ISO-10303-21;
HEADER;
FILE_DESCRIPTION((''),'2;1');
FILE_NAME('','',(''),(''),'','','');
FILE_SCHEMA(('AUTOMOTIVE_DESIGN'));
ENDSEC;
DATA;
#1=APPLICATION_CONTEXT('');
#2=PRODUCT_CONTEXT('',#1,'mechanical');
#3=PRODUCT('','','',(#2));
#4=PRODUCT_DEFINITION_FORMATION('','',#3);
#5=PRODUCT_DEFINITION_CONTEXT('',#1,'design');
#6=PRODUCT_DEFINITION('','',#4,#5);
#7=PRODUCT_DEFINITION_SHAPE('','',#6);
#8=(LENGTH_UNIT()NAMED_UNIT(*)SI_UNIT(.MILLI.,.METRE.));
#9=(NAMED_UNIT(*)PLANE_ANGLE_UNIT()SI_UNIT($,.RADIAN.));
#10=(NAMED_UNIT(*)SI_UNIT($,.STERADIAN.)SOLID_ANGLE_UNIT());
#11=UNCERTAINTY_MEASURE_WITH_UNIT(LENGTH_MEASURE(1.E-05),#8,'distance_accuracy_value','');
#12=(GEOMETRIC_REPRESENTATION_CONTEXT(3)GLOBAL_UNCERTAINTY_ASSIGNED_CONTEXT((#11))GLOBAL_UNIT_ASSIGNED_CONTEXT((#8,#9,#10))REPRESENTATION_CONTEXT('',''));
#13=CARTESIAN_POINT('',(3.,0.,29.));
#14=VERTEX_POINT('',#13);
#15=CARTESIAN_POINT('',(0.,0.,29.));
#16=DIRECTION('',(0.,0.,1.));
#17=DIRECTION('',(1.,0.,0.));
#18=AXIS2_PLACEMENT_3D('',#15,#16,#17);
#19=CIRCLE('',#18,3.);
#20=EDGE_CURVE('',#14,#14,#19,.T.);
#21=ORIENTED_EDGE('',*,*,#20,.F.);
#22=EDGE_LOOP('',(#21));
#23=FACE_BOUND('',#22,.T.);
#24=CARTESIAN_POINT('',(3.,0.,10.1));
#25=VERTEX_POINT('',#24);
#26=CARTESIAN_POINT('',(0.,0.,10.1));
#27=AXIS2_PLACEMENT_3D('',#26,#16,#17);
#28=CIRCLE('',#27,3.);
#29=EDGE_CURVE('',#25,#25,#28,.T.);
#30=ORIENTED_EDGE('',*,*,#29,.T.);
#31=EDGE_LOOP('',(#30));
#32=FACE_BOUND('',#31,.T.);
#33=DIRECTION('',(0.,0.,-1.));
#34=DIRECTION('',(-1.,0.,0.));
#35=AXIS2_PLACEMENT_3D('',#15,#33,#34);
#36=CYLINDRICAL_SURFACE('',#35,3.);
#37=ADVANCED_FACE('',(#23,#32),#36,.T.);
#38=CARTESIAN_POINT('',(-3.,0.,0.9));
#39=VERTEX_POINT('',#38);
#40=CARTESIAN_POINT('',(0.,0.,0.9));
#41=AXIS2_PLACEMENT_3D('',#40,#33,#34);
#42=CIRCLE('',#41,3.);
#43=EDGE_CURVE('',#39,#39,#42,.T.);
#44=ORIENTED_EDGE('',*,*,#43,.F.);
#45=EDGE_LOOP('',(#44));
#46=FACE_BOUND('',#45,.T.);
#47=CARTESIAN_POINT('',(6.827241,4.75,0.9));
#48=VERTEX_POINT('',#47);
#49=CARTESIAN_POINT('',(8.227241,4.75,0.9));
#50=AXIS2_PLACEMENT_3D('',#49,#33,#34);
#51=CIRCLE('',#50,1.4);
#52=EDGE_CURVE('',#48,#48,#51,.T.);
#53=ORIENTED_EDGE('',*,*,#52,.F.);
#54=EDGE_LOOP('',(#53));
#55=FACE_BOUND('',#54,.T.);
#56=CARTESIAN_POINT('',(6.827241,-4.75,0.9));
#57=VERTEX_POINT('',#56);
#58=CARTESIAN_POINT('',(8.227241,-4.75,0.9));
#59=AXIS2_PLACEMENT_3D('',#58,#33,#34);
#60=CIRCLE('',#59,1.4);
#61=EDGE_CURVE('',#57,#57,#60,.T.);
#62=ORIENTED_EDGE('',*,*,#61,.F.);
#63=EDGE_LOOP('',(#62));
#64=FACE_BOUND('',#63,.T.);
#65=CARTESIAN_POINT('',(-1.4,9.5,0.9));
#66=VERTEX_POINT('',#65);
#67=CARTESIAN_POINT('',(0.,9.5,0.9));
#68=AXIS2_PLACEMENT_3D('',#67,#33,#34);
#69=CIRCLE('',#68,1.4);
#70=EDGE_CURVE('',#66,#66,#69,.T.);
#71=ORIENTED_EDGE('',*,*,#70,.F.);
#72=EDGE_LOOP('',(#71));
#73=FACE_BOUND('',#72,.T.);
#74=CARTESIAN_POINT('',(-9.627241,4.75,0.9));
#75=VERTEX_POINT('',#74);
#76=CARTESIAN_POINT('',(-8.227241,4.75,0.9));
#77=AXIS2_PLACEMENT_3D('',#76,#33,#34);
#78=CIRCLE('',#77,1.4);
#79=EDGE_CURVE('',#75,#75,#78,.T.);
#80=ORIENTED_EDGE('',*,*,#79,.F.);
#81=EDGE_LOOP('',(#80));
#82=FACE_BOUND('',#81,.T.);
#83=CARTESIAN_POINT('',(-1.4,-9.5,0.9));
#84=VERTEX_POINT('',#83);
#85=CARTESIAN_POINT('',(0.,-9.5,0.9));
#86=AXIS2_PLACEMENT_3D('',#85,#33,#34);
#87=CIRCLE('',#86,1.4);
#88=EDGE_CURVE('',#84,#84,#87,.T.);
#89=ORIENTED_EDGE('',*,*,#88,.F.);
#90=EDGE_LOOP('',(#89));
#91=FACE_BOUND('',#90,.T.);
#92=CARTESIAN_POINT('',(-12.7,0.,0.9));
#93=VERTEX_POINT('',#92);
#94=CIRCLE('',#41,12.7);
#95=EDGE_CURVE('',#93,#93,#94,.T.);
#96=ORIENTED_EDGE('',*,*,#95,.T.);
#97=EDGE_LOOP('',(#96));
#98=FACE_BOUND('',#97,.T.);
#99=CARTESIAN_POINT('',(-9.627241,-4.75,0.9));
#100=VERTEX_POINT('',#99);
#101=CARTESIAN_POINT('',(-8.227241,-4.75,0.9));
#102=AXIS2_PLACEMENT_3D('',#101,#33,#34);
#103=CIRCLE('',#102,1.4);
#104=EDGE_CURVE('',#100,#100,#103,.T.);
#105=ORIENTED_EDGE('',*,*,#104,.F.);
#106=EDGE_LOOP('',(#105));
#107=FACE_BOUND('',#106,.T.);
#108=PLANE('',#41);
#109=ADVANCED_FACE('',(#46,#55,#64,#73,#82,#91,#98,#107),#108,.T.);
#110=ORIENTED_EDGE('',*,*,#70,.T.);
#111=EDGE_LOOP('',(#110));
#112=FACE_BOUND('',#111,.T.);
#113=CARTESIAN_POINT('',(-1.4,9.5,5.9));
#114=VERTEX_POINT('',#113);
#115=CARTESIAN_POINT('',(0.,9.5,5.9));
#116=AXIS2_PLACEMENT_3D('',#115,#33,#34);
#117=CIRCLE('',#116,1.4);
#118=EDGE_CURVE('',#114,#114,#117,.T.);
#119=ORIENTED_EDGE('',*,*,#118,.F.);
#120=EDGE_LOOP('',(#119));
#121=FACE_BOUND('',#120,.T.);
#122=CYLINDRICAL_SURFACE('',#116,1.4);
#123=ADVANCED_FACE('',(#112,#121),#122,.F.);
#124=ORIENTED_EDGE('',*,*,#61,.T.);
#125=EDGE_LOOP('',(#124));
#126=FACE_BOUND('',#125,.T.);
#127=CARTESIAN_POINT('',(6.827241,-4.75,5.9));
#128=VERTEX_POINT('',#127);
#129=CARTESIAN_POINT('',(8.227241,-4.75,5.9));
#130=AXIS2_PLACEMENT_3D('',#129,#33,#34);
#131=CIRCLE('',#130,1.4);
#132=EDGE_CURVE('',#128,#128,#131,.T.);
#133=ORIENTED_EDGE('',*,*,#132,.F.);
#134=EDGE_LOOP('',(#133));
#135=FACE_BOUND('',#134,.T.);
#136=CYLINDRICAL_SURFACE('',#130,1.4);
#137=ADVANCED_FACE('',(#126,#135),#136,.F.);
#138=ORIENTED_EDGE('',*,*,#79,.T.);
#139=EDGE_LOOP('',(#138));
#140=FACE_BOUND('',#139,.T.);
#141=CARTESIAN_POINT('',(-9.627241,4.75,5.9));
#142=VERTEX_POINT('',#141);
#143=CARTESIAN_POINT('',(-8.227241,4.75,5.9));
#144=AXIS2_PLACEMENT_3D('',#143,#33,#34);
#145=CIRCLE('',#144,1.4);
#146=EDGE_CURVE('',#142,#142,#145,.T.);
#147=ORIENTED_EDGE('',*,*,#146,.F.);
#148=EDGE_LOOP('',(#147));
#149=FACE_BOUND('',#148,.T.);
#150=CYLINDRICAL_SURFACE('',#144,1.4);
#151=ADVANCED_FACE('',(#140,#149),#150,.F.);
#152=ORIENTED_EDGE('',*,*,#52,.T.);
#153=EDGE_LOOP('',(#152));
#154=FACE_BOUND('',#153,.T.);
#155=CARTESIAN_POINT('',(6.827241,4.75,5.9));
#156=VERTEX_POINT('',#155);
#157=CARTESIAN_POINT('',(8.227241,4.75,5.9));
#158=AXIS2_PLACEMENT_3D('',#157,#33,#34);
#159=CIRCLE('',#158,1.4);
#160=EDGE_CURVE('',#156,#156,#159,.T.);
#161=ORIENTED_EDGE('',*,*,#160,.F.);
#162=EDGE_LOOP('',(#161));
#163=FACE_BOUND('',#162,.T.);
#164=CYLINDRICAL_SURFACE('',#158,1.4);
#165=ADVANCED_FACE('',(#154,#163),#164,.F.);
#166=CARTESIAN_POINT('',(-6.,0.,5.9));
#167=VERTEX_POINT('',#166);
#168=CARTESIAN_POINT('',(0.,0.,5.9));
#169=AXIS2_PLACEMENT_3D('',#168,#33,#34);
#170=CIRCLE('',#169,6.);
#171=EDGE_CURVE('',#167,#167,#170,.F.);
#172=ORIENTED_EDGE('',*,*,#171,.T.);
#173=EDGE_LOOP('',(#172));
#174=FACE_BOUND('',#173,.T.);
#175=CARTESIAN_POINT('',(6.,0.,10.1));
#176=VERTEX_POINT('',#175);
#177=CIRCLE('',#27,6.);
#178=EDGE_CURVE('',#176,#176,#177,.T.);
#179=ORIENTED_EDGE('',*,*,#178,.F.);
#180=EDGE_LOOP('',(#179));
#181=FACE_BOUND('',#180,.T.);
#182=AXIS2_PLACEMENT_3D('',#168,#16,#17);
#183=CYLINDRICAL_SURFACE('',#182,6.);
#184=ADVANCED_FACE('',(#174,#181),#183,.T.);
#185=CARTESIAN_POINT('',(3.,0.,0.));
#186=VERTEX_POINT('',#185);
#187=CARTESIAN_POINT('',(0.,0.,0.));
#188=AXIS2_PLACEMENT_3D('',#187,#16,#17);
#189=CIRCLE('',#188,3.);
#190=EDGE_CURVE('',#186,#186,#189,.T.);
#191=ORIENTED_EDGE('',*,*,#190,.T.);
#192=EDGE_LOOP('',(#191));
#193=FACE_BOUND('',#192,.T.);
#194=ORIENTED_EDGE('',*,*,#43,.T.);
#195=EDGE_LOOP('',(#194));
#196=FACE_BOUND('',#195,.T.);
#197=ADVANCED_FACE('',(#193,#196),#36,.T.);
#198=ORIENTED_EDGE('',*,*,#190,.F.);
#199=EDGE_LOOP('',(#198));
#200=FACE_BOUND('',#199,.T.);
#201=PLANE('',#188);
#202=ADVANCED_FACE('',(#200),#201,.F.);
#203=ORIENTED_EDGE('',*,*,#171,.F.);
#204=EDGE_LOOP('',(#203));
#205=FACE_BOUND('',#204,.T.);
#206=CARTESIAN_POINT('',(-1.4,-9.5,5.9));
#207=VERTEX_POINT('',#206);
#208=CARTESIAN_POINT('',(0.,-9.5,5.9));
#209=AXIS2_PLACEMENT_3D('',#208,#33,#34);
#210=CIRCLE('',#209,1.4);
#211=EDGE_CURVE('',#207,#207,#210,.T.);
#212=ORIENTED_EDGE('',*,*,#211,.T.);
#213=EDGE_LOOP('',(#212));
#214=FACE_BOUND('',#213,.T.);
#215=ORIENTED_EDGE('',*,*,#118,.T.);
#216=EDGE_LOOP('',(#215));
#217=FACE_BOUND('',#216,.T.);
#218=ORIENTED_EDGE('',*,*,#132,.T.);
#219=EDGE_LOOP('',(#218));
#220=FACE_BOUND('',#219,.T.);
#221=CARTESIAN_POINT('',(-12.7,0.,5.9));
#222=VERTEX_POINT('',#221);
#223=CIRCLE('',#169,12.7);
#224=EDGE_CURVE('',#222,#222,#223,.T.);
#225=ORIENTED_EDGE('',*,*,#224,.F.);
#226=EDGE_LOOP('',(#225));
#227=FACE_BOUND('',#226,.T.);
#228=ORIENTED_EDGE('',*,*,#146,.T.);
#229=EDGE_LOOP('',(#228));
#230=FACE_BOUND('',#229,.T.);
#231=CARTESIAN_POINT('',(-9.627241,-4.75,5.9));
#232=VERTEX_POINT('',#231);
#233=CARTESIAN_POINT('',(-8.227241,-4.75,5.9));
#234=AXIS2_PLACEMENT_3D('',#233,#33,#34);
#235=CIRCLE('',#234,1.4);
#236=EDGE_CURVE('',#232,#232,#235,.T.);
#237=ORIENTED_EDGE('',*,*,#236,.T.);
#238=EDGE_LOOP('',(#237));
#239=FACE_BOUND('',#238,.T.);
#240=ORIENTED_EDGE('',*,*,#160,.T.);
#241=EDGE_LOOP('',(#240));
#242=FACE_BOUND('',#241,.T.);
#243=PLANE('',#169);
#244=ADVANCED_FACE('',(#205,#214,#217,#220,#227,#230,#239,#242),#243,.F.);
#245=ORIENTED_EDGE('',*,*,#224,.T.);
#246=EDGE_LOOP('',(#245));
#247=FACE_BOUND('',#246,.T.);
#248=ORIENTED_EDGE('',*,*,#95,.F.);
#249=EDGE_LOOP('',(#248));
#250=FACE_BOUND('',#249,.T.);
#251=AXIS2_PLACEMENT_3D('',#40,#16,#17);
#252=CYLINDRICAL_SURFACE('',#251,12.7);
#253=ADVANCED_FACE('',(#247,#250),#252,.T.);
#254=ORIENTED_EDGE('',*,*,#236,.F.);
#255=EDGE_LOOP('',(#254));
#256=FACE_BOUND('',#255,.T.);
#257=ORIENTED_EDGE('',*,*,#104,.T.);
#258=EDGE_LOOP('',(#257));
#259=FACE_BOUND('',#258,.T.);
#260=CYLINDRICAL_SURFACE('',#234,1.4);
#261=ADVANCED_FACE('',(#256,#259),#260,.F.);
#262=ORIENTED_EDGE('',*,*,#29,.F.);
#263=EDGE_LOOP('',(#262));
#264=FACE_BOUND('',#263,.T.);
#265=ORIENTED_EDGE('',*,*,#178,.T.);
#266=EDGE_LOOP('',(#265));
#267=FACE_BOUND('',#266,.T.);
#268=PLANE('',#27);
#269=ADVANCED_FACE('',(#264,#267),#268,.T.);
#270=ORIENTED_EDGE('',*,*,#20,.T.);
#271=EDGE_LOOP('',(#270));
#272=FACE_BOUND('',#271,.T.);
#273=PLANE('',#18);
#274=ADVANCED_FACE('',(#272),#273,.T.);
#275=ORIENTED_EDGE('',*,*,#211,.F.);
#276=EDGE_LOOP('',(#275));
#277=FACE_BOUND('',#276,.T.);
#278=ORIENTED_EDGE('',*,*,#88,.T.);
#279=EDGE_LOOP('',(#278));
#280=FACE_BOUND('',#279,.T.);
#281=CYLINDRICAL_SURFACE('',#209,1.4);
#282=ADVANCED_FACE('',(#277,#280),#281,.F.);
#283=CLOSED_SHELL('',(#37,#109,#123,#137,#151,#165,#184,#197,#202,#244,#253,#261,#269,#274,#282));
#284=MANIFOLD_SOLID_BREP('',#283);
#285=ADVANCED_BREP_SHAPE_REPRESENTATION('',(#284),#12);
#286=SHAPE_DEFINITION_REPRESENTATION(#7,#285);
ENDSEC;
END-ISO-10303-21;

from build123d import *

# Parameters (mm, degrees)
SKETCH1_R           = 3
BOSS_EXTRUDE1_DEPTH = 29
SKETCH2_R           = 6
BOSS_EXTRUDE2_DEPTH = 2.1
SKETCH3_R           = 12.7
BOSS_EXTRUDE3_DEPTH = 5
SKETCH4_R           = 6
BOSS_EXTRUDE4_DEPTH = 2.1
SKETCH10_R          = 1.4
CUT_EXTRUDE1_DEPTH  = 5


with BuildPart() as part:
    # Sketch1 → Boss-Extrude1 (new body)
    with BuildSketch(Plane.XY):
        Circle(SKETCH1_R)
    extrude(amount=BOSS_EXTRUDE1_DEPTH)

    # Sketch2 → Boss-Extrude2 (add)
    with BuildSketch(Plane.XY.offset(8)):
        Circle(SKETCH2_R)
    extrude(amount=-BOSS_EXTRUDE2_DEPTH)

    # Sketch3 → Boss-Extrude3 (add)
    with BuildSketch(Plane(origin=(0, 0, 5.9), x_dir=(-1, 0, 0), z_dir=(0, 0, -1))):
        Circle(SKETCH3_R)
    extrude(amount=BOSS_EXTRUDE3_DEPTH)

    # Sketch4 → Boss-Extrude4 (add)
    with BuildSketch(Plane.XY.offset(8)):
        Circle(SKETCH4_R)
    extrude(amount=BOSS_EXTRUDE4_DEPTH)

    # Sketch10 → Cut-Extrude1 (cut)
    with BuildSketch(Plane(origin=(0, 0, 0.9), x_dir=(-1, 0, 0), z_dir=(0, 0, -1))):
        with Locations((8.227241336, 4.75)):
            Circle(SKETCH10_R)
        with Locations((0, 9.5)):
            Circle(SKETCH10_R)
        with Locations((8.227241336, -4.75)):
            Circle(SKETCH10_R)
        with Locations((0, -9.5)):
            Circle(SKETCH10_R)
        with Locations((-8.227241336, -4.75)):
            Circle(SKETCH10_R)
        with Locations((-8.227241336, 4.75)):
            Circle(SKETCH10_R)
    extrude(amount=-CUT_EXTRUDE1_DEPTH, mode=Mode.SUBTRACT)


solid = part.part
